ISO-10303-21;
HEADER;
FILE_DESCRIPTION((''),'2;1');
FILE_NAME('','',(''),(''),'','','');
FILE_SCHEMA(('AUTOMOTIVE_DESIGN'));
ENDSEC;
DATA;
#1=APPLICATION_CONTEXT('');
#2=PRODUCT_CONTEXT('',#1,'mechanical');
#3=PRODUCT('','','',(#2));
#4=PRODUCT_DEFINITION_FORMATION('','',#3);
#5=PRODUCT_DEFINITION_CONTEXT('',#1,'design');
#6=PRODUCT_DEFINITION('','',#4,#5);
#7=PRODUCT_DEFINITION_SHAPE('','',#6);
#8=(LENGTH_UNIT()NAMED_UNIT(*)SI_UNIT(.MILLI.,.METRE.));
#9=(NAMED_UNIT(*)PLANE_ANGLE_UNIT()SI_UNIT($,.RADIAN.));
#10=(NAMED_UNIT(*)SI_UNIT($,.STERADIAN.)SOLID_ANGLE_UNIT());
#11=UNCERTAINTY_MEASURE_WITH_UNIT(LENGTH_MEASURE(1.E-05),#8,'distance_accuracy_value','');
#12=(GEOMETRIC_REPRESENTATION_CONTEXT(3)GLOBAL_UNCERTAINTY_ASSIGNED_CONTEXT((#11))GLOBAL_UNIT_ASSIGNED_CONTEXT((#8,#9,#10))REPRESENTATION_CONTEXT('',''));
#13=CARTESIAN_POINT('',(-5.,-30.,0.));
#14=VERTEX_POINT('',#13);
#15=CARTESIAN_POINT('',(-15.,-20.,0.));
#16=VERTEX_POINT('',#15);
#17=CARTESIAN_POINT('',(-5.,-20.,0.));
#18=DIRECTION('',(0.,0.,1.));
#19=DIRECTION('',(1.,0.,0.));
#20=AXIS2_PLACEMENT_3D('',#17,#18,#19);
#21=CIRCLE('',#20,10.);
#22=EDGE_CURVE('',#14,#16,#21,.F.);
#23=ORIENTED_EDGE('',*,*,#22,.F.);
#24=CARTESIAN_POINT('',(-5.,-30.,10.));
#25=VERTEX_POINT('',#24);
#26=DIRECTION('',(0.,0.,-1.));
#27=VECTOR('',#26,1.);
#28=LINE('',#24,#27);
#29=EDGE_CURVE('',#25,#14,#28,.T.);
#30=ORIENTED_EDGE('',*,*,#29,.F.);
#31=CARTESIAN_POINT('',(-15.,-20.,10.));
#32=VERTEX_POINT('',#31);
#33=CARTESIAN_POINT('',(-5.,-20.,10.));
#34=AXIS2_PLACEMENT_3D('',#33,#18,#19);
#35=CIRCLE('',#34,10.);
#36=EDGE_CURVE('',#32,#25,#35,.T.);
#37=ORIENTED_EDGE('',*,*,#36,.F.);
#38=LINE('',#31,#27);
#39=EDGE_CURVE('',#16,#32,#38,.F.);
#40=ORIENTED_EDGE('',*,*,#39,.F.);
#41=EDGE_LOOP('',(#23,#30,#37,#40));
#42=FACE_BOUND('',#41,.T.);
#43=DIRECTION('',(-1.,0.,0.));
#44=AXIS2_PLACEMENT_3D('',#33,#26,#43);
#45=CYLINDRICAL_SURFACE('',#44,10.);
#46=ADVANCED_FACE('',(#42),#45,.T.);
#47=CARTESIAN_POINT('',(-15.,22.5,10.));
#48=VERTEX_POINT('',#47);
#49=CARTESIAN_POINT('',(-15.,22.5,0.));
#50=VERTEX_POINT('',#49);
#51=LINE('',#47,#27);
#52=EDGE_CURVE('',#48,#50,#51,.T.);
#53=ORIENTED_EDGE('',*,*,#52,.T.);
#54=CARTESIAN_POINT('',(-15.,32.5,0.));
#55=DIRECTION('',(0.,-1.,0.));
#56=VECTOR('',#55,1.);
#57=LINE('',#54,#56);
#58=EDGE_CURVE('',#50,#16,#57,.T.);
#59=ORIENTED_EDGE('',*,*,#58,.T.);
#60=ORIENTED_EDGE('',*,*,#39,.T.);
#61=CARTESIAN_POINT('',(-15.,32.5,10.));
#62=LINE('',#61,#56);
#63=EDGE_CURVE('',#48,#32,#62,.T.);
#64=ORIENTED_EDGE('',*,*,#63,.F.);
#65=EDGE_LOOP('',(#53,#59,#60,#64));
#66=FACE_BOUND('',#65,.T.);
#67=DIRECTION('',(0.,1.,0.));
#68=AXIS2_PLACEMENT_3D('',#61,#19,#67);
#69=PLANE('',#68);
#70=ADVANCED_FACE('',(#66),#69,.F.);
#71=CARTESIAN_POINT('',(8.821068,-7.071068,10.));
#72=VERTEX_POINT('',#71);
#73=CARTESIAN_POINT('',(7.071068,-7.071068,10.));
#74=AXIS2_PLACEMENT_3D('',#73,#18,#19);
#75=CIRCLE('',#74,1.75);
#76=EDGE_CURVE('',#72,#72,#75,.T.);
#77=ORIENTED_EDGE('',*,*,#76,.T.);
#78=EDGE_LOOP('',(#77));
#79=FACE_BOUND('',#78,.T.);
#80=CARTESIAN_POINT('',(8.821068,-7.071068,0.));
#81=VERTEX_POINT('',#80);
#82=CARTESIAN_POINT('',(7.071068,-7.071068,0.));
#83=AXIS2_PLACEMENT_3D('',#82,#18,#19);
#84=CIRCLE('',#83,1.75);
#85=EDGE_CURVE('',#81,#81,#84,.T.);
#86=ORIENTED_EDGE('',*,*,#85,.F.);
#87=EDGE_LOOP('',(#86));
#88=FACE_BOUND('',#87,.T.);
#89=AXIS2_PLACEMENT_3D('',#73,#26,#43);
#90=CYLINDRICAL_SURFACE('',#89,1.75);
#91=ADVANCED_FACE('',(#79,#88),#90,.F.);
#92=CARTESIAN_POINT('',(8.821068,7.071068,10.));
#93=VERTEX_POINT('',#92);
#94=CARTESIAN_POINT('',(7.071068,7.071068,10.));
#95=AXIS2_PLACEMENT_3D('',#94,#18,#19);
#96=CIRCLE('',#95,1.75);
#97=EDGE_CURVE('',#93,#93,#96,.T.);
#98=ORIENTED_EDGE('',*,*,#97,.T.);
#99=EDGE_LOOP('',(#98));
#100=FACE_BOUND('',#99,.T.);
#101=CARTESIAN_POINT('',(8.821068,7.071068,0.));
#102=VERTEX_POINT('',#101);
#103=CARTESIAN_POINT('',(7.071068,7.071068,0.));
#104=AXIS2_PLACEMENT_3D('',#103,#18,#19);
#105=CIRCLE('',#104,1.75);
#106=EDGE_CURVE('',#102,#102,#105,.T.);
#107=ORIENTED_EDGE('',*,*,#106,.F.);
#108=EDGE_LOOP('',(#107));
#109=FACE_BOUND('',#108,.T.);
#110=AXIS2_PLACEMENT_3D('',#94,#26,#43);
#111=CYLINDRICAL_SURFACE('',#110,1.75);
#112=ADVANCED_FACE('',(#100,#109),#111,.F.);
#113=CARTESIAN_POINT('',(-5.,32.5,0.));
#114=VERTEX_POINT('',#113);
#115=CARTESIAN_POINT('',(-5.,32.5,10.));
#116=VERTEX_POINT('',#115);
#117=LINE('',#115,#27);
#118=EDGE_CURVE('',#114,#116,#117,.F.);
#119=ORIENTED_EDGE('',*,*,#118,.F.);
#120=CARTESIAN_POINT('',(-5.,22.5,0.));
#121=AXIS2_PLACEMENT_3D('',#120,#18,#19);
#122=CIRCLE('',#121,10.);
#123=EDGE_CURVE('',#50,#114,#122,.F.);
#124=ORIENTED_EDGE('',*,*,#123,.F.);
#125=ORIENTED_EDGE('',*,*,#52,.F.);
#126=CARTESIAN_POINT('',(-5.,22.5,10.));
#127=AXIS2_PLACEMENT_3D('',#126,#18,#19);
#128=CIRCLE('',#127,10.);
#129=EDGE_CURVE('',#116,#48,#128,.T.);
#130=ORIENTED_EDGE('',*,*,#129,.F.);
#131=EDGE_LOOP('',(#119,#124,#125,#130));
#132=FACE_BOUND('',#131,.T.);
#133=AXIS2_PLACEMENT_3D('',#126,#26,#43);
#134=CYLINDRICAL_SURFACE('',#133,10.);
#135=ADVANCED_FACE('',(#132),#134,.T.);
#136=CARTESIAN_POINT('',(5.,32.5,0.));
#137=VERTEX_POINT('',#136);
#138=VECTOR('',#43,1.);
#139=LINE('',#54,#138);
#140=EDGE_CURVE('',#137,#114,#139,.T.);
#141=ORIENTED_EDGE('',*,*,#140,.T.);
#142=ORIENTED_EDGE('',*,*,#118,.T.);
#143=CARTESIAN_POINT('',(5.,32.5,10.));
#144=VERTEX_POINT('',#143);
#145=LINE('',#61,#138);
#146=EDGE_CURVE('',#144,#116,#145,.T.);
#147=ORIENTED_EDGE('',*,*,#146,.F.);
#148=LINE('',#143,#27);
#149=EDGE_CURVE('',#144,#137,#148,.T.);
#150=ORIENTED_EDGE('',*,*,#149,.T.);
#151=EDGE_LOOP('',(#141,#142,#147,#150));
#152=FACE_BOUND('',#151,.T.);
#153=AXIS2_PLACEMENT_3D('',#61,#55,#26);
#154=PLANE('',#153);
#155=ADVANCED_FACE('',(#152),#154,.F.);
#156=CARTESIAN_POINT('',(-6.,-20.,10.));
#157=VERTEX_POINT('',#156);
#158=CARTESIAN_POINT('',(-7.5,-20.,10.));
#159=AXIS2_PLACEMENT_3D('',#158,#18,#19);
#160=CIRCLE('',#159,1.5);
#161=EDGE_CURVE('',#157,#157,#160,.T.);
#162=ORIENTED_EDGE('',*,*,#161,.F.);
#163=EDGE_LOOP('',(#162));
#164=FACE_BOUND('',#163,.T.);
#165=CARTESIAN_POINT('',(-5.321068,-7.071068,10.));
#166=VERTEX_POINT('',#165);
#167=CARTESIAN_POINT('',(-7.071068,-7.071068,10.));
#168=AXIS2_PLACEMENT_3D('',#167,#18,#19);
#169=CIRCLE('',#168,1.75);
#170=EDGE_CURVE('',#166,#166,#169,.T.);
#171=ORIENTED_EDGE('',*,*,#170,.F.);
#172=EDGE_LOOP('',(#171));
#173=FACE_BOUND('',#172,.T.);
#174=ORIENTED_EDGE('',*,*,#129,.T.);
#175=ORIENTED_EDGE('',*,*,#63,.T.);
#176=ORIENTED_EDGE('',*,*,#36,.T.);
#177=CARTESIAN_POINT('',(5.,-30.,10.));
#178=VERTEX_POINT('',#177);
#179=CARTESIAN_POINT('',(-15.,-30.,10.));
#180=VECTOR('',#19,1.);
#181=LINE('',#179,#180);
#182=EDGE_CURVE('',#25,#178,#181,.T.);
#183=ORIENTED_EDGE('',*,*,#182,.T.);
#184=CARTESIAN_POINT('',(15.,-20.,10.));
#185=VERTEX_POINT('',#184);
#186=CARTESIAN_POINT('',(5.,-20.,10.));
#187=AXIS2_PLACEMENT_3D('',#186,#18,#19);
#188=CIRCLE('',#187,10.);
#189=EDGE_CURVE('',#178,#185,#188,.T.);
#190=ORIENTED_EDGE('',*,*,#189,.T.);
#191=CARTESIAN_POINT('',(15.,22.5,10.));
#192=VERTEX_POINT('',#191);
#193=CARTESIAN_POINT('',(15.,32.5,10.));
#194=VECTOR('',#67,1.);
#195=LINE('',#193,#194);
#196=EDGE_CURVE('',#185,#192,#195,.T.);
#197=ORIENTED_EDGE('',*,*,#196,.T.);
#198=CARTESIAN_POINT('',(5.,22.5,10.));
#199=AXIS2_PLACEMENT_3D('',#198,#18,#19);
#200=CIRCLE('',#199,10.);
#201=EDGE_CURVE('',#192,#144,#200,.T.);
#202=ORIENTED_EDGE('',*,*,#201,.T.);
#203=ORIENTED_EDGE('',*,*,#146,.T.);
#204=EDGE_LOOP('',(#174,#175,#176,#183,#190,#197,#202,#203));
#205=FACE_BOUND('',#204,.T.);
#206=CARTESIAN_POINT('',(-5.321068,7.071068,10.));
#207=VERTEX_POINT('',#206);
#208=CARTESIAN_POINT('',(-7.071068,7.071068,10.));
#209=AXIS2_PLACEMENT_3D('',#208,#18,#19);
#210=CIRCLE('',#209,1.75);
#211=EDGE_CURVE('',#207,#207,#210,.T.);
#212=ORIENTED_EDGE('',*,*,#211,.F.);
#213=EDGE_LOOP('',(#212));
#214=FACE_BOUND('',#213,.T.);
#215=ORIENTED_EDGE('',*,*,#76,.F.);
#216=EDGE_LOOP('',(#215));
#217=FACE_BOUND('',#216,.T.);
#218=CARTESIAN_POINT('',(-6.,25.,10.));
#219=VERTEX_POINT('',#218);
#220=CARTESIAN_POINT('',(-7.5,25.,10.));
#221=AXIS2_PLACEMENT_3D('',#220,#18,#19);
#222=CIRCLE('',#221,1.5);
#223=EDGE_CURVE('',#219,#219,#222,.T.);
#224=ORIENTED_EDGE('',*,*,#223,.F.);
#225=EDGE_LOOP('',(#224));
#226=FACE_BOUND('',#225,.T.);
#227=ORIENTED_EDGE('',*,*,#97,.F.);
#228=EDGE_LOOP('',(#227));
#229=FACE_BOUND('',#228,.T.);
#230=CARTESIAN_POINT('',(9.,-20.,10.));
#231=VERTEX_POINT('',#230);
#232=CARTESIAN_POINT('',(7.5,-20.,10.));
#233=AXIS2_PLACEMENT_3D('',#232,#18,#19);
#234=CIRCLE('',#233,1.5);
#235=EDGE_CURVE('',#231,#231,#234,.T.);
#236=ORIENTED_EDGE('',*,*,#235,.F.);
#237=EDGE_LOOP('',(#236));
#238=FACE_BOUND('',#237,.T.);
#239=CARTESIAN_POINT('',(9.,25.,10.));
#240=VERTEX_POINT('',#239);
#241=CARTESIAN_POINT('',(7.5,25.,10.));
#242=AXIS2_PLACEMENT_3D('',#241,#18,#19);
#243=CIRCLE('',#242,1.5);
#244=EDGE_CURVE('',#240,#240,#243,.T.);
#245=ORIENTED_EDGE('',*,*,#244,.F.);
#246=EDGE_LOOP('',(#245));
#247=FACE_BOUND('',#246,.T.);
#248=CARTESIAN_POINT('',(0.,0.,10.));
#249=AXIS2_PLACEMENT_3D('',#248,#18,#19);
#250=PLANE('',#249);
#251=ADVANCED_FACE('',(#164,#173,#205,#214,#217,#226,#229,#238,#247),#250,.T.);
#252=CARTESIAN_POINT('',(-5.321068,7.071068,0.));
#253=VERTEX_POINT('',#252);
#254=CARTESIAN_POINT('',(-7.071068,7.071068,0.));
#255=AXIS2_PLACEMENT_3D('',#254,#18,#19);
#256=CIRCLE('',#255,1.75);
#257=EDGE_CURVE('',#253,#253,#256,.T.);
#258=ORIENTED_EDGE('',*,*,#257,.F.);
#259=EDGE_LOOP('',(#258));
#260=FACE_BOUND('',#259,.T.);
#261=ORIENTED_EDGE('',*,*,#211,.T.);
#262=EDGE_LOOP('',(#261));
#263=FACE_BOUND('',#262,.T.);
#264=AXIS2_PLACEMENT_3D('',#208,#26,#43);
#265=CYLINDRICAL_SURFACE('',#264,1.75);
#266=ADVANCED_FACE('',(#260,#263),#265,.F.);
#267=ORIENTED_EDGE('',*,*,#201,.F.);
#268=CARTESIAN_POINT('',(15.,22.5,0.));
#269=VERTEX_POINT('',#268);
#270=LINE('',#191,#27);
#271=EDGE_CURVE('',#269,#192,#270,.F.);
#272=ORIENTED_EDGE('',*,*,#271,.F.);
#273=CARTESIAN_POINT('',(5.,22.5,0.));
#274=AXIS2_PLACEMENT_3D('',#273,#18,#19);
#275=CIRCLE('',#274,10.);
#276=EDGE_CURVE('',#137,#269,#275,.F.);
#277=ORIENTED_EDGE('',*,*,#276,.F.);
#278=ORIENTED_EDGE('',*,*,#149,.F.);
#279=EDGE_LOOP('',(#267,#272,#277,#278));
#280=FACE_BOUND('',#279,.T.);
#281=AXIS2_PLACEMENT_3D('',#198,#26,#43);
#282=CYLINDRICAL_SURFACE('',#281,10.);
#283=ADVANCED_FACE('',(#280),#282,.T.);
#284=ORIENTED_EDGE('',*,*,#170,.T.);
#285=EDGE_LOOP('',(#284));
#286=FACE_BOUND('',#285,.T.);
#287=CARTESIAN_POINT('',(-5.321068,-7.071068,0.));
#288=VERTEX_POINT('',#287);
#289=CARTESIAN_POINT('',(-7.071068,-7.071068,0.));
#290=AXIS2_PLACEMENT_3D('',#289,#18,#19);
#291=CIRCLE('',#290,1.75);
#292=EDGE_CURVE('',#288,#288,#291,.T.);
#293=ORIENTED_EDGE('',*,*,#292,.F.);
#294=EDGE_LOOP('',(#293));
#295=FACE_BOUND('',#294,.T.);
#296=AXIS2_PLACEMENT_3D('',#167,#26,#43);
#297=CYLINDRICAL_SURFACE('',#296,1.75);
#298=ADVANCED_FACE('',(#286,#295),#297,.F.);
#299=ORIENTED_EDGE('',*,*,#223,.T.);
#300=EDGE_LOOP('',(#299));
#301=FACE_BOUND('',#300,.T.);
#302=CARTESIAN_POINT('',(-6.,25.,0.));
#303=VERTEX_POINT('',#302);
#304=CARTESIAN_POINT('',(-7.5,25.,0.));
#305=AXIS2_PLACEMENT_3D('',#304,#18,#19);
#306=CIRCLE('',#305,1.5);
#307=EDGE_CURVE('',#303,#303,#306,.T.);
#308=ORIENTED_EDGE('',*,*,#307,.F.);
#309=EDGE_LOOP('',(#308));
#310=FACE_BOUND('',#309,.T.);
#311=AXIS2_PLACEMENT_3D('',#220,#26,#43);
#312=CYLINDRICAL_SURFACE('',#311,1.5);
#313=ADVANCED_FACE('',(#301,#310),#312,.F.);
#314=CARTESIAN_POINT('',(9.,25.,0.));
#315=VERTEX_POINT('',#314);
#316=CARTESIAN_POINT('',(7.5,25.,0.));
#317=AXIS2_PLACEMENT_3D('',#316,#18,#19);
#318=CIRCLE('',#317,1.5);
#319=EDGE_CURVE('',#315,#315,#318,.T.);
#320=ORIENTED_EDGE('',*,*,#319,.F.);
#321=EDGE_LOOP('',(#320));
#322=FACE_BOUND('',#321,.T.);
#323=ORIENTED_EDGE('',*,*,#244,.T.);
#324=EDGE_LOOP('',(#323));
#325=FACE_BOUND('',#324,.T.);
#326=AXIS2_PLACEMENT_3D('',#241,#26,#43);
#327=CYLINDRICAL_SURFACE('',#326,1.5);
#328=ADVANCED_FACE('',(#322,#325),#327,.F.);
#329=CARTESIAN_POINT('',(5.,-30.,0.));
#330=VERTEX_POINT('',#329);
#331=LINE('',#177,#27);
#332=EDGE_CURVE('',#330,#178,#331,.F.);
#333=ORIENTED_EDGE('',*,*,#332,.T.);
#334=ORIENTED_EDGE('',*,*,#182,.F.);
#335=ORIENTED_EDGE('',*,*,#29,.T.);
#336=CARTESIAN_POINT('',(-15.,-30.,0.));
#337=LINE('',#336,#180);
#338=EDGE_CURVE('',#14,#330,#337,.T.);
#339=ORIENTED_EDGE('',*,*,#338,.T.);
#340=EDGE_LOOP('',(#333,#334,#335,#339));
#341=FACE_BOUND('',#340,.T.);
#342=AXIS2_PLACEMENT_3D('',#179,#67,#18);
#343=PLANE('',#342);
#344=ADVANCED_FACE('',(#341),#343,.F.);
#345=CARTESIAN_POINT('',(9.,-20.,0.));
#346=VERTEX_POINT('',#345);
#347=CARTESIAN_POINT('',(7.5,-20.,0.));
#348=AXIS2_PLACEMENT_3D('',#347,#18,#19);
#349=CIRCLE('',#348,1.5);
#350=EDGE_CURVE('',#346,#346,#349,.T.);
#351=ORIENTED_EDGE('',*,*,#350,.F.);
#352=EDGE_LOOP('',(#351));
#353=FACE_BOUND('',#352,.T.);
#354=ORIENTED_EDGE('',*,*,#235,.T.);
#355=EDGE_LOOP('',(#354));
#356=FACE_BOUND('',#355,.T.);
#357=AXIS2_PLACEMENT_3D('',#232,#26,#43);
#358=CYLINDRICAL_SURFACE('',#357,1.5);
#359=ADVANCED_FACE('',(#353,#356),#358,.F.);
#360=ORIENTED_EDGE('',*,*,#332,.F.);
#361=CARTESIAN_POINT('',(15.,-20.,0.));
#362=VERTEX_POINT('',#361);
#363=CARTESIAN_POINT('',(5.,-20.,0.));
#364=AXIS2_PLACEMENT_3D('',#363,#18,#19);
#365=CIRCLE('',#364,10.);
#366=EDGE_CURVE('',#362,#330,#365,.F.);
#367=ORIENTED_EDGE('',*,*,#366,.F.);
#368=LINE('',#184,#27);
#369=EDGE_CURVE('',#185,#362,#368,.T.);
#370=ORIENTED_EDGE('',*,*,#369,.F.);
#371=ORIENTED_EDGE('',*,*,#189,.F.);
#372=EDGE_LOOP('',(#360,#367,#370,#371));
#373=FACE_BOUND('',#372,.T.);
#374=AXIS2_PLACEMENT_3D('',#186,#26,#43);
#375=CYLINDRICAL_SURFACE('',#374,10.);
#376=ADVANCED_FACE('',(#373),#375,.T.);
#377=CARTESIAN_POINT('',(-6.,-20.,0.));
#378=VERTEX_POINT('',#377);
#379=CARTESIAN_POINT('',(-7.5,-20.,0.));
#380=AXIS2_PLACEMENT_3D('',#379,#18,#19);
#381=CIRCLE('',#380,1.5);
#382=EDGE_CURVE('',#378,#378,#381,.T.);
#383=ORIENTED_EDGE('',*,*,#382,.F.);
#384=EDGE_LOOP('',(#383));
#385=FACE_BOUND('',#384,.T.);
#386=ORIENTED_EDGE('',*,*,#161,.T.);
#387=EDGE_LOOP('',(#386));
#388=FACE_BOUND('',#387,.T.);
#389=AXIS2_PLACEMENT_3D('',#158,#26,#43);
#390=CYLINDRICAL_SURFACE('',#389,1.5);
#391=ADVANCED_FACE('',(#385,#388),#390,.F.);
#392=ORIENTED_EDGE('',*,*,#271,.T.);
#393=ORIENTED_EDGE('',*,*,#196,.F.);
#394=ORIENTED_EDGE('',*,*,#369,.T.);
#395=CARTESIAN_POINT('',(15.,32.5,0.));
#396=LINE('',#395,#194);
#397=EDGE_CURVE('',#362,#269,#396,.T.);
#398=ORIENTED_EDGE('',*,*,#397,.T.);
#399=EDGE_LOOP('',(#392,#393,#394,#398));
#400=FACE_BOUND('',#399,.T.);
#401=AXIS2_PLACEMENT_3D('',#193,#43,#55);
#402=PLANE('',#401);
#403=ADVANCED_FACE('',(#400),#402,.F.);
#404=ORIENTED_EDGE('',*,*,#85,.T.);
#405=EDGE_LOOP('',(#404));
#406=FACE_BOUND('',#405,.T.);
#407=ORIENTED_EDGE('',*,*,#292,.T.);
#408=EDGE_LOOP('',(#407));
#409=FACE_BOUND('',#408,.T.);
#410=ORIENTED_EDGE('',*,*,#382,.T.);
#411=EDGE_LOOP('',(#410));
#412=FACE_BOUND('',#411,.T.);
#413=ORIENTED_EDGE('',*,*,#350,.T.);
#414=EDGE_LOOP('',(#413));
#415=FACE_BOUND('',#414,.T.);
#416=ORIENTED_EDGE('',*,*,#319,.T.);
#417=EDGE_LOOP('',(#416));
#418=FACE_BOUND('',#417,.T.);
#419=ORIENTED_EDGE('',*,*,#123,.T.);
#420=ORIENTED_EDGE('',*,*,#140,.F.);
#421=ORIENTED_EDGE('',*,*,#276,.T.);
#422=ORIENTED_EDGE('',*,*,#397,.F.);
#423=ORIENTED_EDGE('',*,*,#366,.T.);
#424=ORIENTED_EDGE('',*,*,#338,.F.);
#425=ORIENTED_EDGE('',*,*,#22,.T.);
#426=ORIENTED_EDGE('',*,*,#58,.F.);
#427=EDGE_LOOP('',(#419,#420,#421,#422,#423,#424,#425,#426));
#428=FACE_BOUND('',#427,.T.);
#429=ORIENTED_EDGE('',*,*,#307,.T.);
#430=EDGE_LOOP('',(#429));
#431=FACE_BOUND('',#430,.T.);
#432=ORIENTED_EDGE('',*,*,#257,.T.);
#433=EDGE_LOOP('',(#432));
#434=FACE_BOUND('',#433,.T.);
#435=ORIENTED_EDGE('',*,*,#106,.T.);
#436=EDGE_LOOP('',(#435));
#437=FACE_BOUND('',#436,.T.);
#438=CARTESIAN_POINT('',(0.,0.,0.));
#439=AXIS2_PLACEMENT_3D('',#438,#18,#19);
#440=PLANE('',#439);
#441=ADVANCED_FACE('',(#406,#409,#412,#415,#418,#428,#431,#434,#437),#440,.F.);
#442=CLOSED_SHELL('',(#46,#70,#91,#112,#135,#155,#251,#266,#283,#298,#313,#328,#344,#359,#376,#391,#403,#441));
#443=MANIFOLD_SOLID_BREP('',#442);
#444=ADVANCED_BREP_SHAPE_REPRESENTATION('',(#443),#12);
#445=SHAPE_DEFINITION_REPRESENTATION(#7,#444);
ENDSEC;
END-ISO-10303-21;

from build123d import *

# Parameters (mm, degrees)
SKETCH_1_W      = 30
SKETCH_1_H      = 62.5
SKETCH_1_R      = 1.75
SKETCH_1_R_2    = 1.5
EXTRUDE_1_DEPTH = 10
FILLET_1_R      = 10


with BuildPart() as part:
    # 草图1 → 凸台-拉伸1 (new body)
    with BuildSketch(Plane.XY):
        with Locations((0, 1.25)):
            Rectangle(SKETCH_1_W, SKETCH_1_H)
        with Locations((7.071067812, 7.071067812)):
            Circle(SKETCH_1_R, mode=Mode.SUBTRACT)
        with Locations((-7.071067812, 7.071067812)):
            Circle(SKETCH_1_R, mode=Mode.SUBTRACT)
        with Locations((7.071067812, -7.071067812)):
            Circle(SKETCH_1_R, mode=Mode.SUBTRACT)
        with Locations((-7.071067812, -7.071067812)):
            Circle(SKETCH_1_R, mode=Mode.SUBTRACT)
        with Locations((7.5, 25)):
            Circle(SKETCH_1_R_2, mode=Mode.SUBTRACT)
        with Locations((-7.5, 25)):
            Circle(SKETCH_1_R_2, mode=Mode.SUBTRACT)
        with Locations((7.5, -20)):
            Circle(SKETCH_1_R_2, mode=Mode.SUBTRACT)
        with Locations((-7.5, -20)):
            Circle(SKETCH_1_R_2, mode=Mode.SUBTRACT)
    extrude(amount=EXTRUDE_1_DEPTH)

    # 圆角1
    fillet_1_edges = [part.edges().sort_by_distance(p)[0] for p in [
        (15, -30, 5),
        (-15, -30, 5),
        (-15, 32.5, 5),
        (15, 32.5, 5),
    ]]
    fillet(fillet_1_edges, radius=FILLET_1_R)


solid = part.part
